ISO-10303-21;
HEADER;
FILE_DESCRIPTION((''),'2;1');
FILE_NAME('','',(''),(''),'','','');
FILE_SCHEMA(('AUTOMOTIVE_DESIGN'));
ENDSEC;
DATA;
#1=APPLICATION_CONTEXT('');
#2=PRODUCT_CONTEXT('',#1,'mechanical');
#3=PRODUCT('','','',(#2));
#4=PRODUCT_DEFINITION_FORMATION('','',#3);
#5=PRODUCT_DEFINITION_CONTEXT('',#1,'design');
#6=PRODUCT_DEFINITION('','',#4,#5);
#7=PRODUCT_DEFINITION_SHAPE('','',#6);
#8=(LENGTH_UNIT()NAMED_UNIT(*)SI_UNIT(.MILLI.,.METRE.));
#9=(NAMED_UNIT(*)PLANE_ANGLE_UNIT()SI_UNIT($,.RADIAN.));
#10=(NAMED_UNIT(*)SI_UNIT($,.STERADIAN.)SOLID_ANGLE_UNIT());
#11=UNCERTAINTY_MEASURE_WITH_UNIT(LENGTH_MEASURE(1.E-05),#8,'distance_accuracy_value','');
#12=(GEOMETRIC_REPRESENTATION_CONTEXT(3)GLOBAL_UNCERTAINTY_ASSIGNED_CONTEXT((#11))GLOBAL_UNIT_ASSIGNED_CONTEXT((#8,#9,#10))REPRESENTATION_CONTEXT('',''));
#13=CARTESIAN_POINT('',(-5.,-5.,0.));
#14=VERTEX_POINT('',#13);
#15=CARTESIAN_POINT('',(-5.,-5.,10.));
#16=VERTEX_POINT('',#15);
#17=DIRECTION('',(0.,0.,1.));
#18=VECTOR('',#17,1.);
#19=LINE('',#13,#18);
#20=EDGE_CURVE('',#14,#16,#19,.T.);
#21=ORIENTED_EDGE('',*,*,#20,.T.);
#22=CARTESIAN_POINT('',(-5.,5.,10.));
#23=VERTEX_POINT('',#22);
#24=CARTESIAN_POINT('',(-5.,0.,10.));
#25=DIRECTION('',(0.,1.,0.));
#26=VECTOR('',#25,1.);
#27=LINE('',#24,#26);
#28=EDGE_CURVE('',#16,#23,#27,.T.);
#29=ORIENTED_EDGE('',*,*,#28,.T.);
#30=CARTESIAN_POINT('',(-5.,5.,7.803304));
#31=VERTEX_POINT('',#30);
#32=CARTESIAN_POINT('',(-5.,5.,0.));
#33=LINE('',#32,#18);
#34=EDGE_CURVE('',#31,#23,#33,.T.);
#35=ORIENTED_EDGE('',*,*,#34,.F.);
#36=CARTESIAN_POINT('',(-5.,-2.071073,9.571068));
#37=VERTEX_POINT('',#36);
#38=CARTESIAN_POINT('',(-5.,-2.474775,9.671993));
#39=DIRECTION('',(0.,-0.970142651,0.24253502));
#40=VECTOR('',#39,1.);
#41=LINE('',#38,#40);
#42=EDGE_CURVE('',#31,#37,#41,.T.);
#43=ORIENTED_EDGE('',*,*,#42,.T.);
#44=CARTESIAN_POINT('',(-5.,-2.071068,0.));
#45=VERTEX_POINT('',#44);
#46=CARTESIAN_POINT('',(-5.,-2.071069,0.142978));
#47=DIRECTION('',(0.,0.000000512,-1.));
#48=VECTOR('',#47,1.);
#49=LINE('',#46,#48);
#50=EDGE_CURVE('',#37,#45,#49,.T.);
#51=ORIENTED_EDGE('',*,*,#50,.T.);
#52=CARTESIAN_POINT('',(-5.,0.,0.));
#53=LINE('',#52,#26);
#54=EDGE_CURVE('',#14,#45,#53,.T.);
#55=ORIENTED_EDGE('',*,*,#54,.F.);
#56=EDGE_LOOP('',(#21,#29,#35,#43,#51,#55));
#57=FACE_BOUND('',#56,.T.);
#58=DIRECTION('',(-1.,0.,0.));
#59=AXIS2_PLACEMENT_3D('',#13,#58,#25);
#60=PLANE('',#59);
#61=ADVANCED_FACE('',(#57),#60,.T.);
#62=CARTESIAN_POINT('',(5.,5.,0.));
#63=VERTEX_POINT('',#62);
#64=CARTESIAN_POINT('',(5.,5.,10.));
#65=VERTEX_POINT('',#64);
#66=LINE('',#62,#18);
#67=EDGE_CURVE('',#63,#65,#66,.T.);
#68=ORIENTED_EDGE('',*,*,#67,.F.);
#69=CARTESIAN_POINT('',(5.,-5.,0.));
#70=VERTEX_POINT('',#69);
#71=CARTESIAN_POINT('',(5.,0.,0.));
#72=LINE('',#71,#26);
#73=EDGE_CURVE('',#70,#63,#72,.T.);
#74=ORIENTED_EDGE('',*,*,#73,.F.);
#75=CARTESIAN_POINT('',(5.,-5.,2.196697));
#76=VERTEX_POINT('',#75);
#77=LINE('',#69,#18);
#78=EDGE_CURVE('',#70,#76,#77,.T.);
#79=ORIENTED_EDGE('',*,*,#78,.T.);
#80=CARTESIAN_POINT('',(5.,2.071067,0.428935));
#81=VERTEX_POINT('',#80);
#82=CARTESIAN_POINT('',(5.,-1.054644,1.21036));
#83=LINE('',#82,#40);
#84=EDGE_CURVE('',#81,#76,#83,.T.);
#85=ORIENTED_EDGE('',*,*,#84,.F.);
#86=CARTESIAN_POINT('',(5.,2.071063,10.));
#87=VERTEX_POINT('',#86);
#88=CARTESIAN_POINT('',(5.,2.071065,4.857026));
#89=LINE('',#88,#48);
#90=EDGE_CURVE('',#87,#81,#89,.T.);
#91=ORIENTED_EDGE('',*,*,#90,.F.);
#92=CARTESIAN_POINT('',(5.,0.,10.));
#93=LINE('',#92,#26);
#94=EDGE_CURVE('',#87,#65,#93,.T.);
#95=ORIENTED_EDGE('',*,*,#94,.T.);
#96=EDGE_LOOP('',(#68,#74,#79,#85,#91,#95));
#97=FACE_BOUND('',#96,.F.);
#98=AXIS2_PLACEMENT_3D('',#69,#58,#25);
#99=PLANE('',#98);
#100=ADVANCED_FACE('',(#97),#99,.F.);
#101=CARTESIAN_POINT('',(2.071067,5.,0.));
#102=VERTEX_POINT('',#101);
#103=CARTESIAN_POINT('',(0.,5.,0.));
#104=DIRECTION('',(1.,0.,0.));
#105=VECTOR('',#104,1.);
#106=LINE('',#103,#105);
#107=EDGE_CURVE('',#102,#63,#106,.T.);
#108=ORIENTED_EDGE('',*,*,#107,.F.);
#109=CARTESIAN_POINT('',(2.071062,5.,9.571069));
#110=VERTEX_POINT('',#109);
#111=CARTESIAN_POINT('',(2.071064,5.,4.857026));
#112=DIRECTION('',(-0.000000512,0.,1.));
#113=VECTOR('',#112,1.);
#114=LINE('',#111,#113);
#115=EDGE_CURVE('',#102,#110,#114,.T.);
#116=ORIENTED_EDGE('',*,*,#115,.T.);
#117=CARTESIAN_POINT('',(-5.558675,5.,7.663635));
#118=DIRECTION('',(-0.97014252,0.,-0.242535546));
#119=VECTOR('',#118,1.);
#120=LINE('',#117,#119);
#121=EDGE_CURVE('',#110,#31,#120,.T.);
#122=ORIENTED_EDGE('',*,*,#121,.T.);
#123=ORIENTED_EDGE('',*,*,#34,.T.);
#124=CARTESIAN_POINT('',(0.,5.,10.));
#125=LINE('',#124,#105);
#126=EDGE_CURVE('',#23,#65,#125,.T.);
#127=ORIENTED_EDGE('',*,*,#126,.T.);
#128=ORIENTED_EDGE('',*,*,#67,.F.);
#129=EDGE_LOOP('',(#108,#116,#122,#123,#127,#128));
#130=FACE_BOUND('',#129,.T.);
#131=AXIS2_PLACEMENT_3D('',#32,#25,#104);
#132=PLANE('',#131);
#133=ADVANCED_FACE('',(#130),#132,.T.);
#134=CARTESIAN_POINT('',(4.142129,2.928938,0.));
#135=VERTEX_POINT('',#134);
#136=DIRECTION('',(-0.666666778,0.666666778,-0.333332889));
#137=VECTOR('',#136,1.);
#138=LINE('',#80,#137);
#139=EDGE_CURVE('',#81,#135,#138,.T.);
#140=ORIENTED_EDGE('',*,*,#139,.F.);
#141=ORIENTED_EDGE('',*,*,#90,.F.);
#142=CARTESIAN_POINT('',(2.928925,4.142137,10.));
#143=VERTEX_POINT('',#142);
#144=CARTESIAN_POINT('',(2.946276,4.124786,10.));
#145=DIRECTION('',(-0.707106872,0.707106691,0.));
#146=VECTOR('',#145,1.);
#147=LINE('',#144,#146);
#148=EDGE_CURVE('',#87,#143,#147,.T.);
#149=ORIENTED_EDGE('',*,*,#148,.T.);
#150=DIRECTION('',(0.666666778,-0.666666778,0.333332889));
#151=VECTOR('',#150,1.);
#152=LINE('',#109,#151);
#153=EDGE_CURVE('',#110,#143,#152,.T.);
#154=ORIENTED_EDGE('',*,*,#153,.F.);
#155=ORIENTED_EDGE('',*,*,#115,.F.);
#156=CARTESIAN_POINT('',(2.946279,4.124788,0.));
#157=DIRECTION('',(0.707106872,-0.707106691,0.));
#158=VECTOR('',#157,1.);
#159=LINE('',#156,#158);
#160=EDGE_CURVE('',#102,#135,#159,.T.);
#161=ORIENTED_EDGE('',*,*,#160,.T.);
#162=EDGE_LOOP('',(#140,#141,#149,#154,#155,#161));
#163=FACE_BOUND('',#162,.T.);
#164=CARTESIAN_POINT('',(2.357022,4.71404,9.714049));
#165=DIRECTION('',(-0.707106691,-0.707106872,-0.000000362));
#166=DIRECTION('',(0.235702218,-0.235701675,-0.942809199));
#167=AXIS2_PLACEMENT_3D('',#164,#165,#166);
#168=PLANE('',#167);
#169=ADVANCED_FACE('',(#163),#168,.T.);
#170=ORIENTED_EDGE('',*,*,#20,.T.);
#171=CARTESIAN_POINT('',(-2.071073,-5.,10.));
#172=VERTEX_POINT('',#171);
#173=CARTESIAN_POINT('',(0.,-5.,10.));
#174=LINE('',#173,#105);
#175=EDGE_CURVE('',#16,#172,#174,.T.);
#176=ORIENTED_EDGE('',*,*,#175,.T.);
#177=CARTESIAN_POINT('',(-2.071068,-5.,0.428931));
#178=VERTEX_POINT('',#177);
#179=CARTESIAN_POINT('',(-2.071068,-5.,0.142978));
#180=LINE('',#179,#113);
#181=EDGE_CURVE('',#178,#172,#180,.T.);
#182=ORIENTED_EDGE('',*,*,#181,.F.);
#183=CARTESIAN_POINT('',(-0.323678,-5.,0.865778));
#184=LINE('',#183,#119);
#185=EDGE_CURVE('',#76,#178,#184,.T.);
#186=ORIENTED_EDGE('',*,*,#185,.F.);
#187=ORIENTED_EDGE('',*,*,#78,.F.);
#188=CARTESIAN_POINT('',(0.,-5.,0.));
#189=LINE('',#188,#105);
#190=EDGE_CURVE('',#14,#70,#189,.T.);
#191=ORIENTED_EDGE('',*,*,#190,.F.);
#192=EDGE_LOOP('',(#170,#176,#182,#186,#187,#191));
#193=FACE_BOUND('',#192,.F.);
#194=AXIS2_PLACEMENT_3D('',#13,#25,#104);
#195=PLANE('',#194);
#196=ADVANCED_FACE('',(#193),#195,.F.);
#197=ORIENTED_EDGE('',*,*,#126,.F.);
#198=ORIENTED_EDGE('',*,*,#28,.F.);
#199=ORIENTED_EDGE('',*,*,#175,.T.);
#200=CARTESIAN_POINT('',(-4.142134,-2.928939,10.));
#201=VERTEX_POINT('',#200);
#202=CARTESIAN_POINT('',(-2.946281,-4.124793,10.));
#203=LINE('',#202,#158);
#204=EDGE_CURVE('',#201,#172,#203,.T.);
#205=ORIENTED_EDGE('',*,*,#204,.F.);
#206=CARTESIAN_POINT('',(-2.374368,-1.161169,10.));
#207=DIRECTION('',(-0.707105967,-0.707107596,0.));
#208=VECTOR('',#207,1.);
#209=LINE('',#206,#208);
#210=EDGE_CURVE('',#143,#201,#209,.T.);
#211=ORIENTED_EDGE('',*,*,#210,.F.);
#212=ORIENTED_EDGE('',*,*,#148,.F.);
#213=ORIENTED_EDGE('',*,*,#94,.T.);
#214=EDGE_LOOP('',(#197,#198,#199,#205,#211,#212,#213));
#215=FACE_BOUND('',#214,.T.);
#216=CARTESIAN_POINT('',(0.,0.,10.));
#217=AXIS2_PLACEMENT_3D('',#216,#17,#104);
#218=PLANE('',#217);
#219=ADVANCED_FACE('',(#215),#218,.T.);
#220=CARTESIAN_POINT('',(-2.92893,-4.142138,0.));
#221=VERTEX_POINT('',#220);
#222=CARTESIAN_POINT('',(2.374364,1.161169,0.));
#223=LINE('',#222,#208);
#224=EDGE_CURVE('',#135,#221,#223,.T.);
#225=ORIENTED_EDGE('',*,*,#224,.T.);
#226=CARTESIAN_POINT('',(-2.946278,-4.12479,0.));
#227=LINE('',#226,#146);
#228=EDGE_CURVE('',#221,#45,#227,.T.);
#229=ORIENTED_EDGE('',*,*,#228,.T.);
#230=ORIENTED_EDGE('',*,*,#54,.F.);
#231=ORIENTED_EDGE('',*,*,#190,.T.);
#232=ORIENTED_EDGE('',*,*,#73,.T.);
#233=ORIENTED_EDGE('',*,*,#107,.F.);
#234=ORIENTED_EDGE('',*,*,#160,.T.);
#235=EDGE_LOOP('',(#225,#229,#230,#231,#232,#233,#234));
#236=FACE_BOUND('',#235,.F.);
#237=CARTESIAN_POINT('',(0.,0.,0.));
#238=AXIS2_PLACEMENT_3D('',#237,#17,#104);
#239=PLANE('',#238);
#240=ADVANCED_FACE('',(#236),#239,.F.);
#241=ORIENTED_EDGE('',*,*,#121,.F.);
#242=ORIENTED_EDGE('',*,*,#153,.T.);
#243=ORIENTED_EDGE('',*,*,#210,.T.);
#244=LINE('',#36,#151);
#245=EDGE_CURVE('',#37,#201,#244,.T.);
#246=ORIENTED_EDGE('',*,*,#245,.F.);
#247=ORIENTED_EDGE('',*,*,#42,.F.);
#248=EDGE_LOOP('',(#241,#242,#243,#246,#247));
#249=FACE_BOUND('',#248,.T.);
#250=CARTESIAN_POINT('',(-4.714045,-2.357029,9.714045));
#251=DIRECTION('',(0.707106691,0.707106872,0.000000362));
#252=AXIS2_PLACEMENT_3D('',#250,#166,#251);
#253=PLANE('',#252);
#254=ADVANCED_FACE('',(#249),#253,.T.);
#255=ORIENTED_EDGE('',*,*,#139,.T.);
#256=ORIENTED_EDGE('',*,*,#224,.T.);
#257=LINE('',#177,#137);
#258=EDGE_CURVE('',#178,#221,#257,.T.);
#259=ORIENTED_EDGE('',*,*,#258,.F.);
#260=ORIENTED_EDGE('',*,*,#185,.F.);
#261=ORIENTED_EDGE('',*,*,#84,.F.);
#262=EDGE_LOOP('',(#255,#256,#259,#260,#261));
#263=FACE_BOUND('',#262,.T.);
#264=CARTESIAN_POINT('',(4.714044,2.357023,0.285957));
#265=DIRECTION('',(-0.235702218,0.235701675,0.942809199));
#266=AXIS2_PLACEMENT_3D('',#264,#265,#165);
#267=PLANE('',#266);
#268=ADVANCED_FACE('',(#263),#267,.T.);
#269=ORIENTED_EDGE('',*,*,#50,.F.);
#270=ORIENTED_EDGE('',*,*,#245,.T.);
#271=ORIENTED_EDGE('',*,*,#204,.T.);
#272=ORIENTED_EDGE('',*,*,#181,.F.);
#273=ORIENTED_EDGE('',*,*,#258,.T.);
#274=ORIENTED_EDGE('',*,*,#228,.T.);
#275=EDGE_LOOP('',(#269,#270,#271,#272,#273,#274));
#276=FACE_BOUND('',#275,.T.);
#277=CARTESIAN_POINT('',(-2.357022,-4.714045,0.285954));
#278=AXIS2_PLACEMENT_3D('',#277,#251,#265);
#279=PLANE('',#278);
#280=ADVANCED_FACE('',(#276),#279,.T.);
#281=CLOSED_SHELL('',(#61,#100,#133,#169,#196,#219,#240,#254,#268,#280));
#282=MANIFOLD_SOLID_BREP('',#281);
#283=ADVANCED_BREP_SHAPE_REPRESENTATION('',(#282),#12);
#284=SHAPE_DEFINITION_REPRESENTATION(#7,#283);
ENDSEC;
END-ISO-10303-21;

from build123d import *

# Parameters (mm, degrees)
F0_W          = 10
F0_H          = 10
F1_DEPTH      = 10
F6_DEPTH      = 8.334333
F6_DEPTH_BACK = 8.334333


with BuildPart() as f1:
    # F0 (on Top) → F1 (new body)
    with BuildSketch(Plane.XY):
        Rectangle(F0_W, F0_H)
    extrude(amount=F1_DEPTH)

    # F5 (on face) → F6 (cut, two sides)
    with BuildSketch(Plane(origin=(1.111111, -1.111111, 0.555556), x_dir=(-0.745356, -0.596285, 0.298142), z_dir=(-0.666667, 0.666667, -0.333333))) as f6_sk:
        Polygon((-4.833843, 1.309858), (4.65299, -1.852419), (7.815267, 7.634414), (-1.671566, 10.796691), align=None)
    extrude(amount=F6_DEPTH, mode=Mode.SUBTRACT)
    extrude(f6_sk.sketch, amount=-F6_DEPTH_BACK, mode=Mode.SUBTRACT)


solid = f1.part
